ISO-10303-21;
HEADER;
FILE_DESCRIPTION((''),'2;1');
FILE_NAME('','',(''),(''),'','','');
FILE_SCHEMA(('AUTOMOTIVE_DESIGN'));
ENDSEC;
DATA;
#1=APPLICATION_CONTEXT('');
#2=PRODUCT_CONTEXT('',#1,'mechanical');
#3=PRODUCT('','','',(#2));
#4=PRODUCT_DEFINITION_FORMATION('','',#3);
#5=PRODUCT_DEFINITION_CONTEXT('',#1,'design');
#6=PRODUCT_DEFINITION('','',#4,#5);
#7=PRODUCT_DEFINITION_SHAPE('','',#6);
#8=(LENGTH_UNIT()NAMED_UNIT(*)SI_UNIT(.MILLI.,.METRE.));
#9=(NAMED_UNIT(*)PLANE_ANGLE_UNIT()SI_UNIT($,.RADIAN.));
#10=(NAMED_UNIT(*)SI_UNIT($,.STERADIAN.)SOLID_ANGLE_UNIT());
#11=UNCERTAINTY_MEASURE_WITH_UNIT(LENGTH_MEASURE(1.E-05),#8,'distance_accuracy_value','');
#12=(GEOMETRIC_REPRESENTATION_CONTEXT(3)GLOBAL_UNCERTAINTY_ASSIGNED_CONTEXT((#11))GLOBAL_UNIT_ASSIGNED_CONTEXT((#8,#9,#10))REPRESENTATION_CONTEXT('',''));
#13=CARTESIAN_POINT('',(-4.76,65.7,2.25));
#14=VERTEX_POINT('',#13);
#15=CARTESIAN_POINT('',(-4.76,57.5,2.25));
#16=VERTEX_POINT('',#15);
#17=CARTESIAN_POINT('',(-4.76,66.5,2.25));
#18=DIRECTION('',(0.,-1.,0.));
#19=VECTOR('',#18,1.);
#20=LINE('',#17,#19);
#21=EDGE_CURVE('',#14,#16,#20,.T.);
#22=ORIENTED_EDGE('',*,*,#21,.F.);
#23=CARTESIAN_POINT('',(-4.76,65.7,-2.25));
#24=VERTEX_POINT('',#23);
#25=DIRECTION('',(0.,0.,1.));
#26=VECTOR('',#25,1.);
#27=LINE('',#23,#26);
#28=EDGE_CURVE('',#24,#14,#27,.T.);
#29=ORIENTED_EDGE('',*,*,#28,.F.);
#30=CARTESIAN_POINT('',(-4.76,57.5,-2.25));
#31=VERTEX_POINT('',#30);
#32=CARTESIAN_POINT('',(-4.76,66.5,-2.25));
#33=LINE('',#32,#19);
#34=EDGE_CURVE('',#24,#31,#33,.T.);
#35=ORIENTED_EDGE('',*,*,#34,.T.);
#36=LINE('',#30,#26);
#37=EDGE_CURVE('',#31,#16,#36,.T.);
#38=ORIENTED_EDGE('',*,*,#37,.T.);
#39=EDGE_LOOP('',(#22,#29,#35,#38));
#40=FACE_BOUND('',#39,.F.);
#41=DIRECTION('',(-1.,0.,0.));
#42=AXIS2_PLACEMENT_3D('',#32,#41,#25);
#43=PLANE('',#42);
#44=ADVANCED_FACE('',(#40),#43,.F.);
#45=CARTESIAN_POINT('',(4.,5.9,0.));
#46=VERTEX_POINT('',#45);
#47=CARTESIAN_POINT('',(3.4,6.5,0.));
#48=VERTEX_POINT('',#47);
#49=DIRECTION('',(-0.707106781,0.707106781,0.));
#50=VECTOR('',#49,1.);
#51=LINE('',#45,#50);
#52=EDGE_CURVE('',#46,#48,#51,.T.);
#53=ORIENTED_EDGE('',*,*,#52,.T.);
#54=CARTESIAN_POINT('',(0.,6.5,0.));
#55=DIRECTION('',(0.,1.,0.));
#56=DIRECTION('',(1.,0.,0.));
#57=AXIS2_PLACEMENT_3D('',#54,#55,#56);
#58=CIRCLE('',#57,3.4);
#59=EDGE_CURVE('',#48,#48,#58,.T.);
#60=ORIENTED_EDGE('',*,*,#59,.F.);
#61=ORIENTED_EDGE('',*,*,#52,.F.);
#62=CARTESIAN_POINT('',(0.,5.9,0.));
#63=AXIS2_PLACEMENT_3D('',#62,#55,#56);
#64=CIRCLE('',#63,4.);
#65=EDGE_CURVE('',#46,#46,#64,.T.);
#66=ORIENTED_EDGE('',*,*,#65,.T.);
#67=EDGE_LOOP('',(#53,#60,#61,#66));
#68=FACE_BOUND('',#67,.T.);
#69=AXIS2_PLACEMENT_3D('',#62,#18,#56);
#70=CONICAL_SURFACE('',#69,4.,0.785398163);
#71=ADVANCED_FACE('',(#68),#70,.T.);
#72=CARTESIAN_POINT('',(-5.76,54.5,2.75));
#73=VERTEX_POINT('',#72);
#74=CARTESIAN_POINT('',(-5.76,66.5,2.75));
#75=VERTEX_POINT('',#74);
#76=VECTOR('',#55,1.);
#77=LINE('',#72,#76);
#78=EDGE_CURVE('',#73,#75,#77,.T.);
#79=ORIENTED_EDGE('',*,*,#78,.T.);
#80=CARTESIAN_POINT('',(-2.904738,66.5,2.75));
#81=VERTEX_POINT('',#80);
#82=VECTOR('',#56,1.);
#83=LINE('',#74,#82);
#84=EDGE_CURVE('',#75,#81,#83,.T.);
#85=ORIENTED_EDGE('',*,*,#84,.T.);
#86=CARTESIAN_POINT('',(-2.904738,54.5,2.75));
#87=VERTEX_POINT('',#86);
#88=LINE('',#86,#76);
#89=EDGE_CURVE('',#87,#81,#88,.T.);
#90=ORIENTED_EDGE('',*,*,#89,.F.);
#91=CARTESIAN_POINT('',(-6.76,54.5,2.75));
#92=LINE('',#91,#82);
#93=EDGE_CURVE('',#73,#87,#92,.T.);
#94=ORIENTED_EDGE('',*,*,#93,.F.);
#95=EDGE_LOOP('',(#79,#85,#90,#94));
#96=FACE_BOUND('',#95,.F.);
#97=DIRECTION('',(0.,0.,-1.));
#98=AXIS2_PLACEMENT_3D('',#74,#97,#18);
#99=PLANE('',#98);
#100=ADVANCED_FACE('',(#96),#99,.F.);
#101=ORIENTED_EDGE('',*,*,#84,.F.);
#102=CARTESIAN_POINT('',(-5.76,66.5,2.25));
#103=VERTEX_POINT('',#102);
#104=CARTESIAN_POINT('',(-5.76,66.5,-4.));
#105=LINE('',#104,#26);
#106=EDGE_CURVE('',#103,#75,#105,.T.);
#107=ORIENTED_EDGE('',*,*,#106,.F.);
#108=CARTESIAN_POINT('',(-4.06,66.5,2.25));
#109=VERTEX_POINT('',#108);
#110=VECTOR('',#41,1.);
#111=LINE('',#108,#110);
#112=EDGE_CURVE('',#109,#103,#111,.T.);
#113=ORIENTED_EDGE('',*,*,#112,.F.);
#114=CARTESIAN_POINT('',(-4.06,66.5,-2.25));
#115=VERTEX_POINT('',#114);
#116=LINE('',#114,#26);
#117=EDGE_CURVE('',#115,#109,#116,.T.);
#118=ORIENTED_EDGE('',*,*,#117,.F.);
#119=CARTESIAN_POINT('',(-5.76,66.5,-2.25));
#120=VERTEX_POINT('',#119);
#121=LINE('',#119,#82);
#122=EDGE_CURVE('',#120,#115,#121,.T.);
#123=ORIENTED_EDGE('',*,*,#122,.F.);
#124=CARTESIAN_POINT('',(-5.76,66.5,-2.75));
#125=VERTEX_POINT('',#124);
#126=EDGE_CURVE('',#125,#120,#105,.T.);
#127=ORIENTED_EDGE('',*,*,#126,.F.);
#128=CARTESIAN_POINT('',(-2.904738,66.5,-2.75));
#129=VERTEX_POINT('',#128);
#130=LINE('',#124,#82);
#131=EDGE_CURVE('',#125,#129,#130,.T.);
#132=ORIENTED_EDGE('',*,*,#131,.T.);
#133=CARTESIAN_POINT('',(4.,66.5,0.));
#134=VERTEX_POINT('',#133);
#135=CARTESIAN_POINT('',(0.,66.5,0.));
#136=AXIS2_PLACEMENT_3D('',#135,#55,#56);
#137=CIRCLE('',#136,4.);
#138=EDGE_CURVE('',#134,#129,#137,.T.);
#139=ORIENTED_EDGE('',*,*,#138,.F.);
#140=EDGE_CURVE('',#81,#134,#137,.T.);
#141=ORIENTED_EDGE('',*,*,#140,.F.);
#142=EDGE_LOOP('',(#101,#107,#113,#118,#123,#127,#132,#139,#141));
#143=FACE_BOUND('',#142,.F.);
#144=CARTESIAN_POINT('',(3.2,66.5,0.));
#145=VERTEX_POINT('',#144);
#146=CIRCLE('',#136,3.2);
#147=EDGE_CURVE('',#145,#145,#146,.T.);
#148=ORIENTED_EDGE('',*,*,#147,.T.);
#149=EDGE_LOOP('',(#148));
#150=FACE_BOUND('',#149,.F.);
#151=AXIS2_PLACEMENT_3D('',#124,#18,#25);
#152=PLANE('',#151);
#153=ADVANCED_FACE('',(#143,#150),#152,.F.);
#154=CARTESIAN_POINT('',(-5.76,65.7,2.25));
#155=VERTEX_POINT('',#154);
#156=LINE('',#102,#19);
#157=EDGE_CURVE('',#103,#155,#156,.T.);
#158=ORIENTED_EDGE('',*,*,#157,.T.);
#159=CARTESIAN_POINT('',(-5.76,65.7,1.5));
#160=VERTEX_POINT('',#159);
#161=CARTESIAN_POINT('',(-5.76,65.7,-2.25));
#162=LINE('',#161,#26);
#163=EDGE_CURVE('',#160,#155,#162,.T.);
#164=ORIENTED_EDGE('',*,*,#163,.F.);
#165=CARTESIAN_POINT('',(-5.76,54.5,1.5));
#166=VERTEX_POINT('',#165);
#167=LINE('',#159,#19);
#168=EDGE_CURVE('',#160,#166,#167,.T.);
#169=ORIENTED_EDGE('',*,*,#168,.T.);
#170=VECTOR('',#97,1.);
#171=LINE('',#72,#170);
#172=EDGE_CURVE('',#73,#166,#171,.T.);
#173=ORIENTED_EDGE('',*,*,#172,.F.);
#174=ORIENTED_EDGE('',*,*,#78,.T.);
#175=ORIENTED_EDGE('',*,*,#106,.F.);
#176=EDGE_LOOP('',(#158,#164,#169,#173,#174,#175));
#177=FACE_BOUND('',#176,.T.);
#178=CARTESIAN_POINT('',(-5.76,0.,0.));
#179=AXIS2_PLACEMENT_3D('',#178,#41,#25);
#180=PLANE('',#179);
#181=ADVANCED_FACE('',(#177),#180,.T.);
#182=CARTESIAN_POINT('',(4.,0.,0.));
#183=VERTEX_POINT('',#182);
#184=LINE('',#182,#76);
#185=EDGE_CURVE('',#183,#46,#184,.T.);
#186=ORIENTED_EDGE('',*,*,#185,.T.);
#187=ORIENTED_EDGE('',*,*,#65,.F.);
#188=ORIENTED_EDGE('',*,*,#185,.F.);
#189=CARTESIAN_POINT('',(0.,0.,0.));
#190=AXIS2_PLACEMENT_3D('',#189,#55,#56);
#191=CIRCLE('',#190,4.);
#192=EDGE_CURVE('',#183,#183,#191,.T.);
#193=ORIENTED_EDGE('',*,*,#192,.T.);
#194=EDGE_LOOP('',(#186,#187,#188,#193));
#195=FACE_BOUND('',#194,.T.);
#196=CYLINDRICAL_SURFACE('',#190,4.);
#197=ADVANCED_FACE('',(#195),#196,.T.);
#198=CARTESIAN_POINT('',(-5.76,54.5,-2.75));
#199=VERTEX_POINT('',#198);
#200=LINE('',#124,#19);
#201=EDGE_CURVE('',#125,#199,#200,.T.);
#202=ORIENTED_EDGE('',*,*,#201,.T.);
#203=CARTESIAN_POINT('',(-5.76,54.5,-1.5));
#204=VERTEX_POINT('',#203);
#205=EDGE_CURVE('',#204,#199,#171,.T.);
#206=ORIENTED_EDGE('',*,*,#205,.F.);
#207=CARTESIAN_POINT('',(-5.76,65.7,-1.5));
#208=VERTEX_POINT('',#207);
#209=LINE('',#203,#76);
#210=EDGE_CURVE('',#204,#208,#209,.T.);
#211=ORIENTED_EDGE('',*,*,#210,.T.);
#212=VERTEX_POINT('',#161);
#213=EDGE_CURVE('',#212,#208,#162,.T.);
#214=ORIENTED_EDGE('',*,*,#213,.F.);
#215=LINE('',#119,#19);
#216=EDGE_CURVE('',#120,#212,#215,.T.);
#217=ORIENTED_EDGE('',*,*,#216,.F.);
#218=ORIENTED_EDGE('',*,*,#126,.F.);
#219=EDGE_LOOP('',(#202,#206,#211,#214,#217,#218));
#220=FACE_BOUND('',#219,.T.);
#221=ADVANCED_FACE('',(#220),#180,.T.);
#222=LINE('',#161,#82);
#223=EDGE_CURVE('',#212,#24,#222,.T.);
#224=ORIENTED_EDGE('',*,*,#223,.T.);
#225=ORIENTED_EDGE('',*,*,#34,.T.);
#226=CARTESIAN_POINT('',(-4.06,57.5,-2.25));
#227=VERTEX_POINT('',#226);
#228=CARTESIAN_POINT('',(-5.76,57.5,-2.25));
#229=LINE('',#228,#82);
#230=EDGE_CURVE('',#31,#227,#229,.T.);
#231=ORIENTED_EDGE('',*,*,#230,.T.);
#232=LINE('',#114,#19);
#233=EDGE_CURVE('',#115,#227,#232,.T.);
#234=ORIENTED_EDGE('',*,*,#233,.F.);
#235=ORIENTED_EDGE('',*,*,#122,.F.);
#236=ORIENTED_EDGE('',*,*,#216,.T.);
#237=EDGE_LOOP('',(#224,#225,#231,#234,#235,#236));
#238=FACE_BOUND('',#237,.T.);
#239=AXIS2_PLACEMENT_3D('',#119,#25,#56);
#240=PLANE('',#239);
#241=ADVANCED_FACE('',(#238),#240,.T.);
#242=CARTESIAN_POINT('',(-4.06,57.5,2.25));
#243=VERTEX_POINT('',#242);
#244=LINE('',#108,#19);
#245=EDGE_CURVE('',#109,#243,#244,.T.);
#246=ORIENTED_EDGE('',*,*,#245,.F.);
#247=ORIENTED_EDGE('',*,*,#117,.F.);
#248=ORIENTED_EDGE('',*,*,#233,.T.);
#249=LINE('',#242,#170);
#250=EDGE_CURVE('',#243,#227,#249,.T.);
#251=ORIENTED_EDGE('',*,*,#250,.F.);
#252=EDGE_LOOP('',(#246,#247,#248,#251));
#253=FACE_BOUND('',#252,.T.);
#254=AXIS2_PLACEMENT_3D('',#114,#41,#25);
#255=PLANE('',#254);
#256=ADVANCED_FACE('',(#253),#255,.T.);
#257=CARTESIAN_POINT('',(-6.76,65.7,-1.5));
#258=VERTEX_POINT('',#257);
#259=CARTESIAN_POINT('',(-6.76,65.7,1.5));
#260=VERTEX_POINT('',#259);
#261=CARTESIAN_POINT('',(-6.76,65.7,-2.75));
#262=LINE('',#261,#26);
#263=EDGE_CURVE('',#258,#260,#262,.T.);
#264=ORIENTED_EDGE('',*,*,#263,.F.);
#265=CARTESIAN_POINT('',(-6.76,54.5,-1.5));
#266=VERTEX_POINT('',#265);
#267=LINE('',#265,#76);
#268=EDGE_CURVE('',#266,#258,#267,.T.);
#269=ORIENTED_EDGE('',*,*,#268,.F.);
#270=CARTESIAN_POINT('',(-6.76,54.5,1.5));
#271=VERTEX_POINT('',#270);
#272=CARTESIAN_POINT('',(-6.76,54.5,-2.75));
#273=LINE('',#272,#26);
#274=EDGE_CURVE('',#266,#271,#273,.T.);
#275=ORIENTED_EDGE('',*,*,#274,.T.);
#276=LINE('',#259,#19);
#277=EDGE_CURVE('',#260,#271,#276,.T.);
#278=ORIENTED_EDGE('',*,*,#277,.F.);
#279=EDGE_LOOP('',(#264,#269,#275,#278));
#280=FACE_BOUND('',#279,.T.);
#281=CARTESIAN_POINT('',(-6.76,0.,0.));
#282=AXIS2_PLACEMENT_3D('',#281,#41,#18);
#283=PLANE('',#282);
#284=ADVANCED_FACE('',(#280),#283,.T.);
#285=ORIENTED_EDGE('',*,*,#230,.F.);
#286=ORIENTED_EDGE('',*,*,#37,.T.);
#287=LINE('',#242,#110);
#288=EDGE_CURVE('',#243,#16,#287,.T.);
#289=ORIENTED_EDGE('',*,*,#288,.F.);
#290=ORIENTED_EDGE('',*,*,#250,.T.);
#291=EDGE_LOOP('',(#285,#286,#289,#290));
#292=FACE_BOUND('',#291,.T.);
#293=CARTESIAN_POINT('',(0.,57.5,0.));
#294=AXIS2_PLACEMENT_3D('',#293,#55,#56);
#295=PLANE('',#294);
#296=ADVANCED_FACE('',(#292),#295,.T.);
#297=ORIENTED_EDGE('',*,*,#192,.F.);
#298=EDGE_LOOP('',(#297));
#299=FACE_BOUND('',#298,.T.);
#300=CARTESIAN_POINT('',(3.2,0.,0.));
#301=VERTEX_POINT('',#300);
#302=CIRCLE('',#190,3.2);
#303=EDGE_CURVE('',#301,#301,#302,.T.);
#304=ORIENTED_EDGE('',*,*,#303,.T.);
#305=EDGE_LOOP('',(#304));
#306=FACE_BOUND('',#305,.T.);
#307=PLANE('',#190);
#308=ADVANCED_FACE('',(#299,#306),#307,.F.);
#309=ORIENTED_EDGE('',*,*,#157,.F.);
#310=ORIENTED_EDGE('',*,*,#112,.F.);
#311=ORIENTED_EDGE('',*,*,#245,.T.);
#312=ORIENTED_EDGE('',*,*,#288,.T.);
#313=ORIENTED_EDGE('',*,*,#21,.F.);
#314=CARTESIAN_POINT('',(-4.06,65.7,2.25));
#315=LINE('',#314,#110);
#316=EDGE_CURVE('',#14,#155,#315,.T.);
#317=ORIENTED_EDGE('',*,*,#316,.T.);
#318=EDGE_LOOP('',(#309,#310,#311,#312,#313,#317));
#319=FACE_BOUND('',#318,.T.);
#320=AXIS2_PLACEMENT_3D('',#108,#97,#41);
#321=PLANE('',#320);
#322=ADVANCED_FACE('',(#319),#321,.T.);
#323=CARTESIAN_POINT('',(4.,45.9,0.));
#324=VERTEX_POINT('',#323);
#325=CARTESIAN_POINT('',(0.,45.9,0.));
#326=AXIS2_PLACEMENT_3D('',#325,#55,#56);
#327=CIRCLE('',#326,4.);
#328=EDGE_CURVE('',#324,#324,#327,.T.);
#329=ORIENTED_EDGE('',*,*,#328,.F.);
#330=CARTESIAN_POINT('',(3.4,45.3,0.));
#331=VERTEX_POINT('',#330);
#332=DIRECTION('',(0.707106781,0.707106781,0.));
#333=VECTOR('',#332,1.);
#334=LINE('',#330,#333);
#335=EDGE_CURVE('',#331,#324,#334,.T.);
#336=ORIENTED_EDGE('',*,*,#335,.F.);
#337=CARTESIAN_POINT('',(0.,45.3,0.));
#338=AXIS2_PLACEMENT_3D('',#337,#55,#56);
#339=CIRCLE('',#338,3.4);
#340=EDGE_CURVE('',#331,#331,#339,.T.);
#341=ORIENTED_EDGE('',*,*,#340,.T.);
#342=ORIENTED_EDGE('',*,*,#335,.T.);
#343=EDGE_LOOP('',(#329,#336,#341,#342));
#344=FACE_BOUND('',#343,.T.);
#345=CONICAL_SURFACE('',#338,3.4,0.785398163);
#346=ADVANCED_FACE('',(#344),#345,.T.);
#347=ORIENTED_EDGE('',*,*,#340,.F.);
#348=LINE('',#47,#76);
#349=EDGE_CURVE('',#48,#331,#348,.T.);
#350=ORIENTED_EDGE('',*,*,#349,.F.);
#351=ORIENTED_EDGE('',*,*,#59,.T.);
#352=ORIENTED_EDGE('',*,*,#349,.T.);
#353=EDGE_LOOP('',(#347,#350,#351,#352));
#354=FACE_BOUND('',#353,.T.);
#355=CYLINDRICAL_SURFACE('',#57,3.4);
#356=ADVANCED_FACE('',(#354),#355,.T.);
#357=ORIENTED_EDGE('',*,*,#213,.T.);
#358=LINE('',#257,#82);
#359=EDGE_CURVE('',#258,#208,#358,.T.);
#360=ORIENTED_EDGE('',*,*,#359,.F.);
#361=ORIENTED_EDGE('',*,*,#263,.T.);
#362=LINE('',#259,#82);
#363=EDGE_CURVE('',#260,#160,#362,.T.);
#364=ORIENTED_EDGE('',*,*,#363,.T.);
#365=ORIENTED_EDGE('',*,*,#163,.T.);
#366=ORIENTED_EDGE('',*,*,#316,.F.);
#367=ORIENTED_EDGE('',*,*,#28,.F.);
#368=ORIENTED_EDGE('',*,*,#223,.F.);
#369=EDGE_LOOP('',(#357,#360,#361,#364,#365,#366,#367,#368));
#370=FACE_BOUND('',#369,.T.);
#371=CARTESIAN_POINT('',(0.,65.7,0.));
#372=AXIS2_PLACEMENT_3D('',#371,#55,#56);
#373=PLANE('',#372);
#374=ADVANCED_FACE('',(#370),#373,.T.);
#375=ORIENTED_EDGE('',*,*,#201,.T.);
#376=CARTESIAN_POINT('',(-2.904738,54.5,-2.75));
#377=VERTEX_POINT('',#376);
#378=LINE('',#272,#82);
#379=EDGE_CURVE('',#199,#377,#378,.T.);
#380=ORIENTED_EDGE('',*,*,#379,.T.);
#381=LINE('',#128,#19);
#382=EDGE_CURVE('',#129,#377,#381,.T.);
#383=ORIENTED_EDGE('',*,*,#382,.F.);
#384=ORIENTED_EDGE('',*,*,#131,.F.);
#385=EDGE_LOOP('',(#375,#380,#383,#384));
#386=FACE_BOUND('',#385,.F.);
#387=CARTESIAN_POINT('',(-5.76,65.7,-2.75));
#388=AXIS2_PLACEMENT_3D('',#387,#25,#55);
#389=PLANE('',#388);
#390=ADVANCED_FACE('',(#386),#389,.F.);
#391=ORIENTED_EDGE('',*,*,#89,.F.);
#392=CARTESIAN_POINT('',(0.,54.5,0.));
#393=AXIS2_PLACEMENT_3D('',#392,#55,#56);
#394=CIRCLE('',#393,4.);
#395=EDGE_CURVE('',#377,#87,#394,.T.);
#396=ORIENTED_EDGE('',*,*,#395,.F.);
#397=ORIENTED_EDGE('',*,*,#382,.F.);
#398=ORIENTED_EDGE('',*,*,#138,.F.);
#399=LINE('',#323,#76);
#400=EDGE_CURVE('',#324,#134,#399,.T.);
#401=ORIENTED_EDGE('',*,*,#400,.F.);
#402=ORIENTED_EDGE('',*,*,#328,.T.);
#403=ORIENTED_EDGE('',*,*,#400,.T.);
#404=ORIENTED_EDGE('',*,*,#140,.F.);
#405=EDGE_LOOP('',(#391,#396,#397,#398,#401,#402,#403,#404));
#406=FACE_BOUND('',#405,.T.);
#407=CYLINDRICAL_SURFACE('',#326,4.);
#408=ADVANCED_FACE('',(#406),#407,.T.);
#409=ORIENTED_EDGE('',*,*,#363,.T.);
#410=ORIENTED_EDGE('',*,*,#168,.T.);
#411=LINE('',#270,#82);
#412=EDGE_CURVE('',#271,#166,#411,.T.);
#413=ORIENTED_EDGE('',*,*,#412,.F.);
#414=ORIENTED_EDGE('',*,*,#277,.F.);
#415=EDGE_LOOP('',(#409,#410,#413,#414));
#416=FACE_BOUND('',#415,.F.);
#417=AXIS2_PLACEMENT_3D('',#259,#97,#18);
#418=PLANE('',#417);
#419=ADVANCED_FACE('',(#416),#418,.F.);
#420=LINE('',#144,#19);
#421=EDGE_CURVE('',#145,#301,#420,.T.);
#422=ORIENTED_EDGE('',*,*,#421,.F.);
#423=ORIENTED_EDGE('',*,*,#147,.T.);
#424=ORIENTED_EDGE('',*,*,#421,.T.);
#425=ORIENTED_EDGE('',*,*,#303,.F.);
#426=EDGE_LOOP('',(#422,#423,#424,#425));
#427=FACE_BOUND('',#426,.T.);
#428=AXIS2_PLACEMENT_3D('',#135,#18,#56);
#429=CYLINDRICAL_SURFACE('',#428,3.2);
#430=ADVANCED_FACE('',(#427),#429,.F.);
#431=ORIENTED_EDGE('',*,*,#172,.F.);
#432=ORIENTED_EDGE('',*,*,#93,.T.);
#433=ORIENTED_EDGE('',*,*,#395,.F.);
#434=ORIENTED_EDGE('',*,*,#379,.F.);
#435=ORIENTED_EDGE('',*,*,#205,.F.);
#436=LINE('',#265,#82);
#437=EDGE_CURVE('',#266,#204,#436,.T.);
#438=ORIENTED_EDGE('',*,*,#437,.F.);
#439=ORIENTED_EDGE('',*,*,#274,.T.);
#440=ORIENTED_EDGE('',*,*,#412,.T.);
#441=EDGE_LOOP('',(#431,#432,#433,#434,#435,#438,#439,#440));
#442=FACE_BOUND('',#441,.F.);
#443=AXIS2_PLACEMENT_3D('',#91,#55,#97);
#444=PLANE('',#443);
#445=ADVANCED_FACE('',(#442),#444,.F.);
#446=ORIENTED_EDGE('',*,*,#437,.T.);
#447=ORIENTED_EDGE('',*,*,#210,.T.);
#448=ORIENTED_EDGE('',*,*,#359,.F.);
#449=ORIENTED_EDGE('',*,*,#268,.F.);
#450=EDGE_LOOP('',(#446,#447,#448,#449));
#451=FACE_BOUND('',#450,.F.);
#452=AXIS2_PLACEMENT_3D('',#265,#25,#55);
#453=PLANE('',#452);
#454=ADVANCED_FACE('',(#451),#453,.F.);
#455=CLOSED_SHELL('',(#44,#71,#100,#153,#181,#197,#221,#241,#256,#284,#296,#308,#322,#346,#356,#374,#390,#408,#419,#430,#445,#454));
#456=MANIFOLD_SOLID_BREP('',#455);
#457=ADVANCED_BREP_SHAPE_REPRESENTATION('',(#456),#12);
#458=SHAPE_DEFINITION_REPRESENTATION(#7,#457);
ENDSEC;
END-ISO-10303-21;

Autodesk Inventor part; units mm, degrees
ref_plane "XZ Plane" through (0, 0, 0) normal (0, 1, 0) x (-1, 0, 0)
ref_plane "XY Plane" through (0, 0, 0) normal (0, 0, 1) x (1, 0, 0)
sketch "Sketch1" plane through (0, 0, 0) normal (0, 0, 1) x (1, 0, 0)
  line L0 (0, 0) -> (0, 66.5)
  line L1 (3.2, 0) -> (4, 0)
  line L2 (4, 0) -> (4, 5.9)
  line L3 (4, 5.9) -> (3.4, 6.5)
  line L4 (3.4, 6.5) -> (3.4, 45.3)
  line L5 (3.4, 45.3) -> (4, 45.9)
  line L6 (4, 45.9) -> (4, 66.5)
  line L7 (4, 66.5) -> (3.2, 66.5)
  line L8 (3.2, 66.5) -> (3.2, 0)
  dimension "d0" = 45
  dimension "d1" = 45
  dimension "d2" = 6.4
  dimension "d3" = 8
  dimension "d4" = 6.5
  dimension "d5" = 45.3
  dimension "d6" = 66.5
  dimension "d7" = 6.8
revolve "Revolution1" add sketch "Sketch1" angle 360 about axis through (0, 0, 0) along (0, 1, 0)
ref_plane "Work Plane1" through (-6.76, 0, 0) normal (-1, 0, 0) x (0, -1, 0)
sketch "Sketch2" plane through (-6.76, 0, 0) normal (-1, 0, 0) x (0, -1, 0)
  line L0 (-65.7, 1.5) -> (-54.5, 1.5)
  line L1 (-54.5, 1.5) -> (-54.5, -1.5)
  line L2 (-54.5, -1.5) -> (-65.7, -1.5)
  line L3 (-65.7, -1.5) -> (-65.7, 1.5)
  line L4 (-65.7, 2.75) -> (-54.5, 2.75)
  line L5 (-54.5, 2.75) -> (-54.5, -2.75)
  line L6 (-54.5, -2.75) -> (-65.7, -2.75)
  line L7 (-65.7, -2.75) -> (-65.7, 2.75)
  line L8 (13.7787, 0) -> (-82.6723, 0) projected
  line L9 (0, -4) -> (0, 4) projected
  dimension "d10" = 54.5
  dimension "d11" = 65.7
  dimension "d12" = 5.5
  dimension "d13" = 3
extrude "Extrusion1" add sketch "Sketch2" against normal up to surface
extrude "Extrusion2" cut sketch "Sketch2" against normal blind 1 contours L7 L4 L5 L0 | L2 L5 L6 L7
sketch "Sketch3" plane through (-5.76, 0, 0) normal (-1, 0, 0) x (0, 0, 1)
  line L0 (-1.5, 65.7) -> (-1.5, 54.5) projected
  line L1 (-2.75, 65.7) -> (-1.5, 65.7) projected
  line L2 (-2.75, 54.5) -> (-2.75, 65.7) projected
  line L3 (-1.5, 54.5) -> (-2.75, 54.5) projected
  line L4 (1.5, 54.5) -> (1.5, 65.7) projected
  line L5 (2.75, 54.5) -> (1.5, 54.5) projected
  line L6 (2.75, 65.7) -> (2.75, 54.5) projected
  line L7 (1.5, 65.7) -> (2.75, 65.7) projected
  line L8 (-4, 66.5) -> (4, 66.5) projected
  line L9 (2.75, 65.7) -> (-2.75, 65.7)
  line L10 (-2.75, 65.7) -> (-2.75, 66.5)
  line L11 (-2.75, 66.5) -> (2.75, 66.5)
  line L12 (2.75, 66.5) -> (2.75, 65.7)
extrude "Extrusion3" add sketch "Sketch3" against normal up to surface contours L1 L10 L8 L12 L7 L9
sketch "Sketch4" plane through (0, 66.5, 0) normal (0, 1, 0) x (1, 0, 0)
  line L0 (-5.76, 1.5) -> (-5.76, 2.75) projected
  line L1 (-5.76, 2.25) -> (-4.06, 2.25)
  line L2 (-4.06, 2.25) -> (-4.06, -2.25)
  line L3 (-4.06, -2.25) -> (-5.76, -2.25)
  line L4 (-5.76, -2.75) -> (-5.76, 2.75) projected
  line L5 (-4.76, 2.25) -> (-4.76, -2.25)
  line L6 (-8.912, 0) -> (6.152, 0) projected
  line L7 (-5.76, 2.25) -> (-5.76, -2.25)
  point P0 (0, 0)
  dimension "d20" = 4.06
  dimension "d21" = 4.76
  dimension "d22" = 4.5
extrude "Extrusion4" cut sketch "Sketch4" against normal up to surface (0.8 mm away) contours L0 L1 L5 L6 L4 | L6 L5 L3 L4
extrude "Extrusion5" cut sketch "Sketch4" against normal blind 9 contours L1 L2 L6 L5 | L6 L2 L3 L5
equation "\"d1\" = d0"
properties part number "PP-12" material "ABS Plastic"
